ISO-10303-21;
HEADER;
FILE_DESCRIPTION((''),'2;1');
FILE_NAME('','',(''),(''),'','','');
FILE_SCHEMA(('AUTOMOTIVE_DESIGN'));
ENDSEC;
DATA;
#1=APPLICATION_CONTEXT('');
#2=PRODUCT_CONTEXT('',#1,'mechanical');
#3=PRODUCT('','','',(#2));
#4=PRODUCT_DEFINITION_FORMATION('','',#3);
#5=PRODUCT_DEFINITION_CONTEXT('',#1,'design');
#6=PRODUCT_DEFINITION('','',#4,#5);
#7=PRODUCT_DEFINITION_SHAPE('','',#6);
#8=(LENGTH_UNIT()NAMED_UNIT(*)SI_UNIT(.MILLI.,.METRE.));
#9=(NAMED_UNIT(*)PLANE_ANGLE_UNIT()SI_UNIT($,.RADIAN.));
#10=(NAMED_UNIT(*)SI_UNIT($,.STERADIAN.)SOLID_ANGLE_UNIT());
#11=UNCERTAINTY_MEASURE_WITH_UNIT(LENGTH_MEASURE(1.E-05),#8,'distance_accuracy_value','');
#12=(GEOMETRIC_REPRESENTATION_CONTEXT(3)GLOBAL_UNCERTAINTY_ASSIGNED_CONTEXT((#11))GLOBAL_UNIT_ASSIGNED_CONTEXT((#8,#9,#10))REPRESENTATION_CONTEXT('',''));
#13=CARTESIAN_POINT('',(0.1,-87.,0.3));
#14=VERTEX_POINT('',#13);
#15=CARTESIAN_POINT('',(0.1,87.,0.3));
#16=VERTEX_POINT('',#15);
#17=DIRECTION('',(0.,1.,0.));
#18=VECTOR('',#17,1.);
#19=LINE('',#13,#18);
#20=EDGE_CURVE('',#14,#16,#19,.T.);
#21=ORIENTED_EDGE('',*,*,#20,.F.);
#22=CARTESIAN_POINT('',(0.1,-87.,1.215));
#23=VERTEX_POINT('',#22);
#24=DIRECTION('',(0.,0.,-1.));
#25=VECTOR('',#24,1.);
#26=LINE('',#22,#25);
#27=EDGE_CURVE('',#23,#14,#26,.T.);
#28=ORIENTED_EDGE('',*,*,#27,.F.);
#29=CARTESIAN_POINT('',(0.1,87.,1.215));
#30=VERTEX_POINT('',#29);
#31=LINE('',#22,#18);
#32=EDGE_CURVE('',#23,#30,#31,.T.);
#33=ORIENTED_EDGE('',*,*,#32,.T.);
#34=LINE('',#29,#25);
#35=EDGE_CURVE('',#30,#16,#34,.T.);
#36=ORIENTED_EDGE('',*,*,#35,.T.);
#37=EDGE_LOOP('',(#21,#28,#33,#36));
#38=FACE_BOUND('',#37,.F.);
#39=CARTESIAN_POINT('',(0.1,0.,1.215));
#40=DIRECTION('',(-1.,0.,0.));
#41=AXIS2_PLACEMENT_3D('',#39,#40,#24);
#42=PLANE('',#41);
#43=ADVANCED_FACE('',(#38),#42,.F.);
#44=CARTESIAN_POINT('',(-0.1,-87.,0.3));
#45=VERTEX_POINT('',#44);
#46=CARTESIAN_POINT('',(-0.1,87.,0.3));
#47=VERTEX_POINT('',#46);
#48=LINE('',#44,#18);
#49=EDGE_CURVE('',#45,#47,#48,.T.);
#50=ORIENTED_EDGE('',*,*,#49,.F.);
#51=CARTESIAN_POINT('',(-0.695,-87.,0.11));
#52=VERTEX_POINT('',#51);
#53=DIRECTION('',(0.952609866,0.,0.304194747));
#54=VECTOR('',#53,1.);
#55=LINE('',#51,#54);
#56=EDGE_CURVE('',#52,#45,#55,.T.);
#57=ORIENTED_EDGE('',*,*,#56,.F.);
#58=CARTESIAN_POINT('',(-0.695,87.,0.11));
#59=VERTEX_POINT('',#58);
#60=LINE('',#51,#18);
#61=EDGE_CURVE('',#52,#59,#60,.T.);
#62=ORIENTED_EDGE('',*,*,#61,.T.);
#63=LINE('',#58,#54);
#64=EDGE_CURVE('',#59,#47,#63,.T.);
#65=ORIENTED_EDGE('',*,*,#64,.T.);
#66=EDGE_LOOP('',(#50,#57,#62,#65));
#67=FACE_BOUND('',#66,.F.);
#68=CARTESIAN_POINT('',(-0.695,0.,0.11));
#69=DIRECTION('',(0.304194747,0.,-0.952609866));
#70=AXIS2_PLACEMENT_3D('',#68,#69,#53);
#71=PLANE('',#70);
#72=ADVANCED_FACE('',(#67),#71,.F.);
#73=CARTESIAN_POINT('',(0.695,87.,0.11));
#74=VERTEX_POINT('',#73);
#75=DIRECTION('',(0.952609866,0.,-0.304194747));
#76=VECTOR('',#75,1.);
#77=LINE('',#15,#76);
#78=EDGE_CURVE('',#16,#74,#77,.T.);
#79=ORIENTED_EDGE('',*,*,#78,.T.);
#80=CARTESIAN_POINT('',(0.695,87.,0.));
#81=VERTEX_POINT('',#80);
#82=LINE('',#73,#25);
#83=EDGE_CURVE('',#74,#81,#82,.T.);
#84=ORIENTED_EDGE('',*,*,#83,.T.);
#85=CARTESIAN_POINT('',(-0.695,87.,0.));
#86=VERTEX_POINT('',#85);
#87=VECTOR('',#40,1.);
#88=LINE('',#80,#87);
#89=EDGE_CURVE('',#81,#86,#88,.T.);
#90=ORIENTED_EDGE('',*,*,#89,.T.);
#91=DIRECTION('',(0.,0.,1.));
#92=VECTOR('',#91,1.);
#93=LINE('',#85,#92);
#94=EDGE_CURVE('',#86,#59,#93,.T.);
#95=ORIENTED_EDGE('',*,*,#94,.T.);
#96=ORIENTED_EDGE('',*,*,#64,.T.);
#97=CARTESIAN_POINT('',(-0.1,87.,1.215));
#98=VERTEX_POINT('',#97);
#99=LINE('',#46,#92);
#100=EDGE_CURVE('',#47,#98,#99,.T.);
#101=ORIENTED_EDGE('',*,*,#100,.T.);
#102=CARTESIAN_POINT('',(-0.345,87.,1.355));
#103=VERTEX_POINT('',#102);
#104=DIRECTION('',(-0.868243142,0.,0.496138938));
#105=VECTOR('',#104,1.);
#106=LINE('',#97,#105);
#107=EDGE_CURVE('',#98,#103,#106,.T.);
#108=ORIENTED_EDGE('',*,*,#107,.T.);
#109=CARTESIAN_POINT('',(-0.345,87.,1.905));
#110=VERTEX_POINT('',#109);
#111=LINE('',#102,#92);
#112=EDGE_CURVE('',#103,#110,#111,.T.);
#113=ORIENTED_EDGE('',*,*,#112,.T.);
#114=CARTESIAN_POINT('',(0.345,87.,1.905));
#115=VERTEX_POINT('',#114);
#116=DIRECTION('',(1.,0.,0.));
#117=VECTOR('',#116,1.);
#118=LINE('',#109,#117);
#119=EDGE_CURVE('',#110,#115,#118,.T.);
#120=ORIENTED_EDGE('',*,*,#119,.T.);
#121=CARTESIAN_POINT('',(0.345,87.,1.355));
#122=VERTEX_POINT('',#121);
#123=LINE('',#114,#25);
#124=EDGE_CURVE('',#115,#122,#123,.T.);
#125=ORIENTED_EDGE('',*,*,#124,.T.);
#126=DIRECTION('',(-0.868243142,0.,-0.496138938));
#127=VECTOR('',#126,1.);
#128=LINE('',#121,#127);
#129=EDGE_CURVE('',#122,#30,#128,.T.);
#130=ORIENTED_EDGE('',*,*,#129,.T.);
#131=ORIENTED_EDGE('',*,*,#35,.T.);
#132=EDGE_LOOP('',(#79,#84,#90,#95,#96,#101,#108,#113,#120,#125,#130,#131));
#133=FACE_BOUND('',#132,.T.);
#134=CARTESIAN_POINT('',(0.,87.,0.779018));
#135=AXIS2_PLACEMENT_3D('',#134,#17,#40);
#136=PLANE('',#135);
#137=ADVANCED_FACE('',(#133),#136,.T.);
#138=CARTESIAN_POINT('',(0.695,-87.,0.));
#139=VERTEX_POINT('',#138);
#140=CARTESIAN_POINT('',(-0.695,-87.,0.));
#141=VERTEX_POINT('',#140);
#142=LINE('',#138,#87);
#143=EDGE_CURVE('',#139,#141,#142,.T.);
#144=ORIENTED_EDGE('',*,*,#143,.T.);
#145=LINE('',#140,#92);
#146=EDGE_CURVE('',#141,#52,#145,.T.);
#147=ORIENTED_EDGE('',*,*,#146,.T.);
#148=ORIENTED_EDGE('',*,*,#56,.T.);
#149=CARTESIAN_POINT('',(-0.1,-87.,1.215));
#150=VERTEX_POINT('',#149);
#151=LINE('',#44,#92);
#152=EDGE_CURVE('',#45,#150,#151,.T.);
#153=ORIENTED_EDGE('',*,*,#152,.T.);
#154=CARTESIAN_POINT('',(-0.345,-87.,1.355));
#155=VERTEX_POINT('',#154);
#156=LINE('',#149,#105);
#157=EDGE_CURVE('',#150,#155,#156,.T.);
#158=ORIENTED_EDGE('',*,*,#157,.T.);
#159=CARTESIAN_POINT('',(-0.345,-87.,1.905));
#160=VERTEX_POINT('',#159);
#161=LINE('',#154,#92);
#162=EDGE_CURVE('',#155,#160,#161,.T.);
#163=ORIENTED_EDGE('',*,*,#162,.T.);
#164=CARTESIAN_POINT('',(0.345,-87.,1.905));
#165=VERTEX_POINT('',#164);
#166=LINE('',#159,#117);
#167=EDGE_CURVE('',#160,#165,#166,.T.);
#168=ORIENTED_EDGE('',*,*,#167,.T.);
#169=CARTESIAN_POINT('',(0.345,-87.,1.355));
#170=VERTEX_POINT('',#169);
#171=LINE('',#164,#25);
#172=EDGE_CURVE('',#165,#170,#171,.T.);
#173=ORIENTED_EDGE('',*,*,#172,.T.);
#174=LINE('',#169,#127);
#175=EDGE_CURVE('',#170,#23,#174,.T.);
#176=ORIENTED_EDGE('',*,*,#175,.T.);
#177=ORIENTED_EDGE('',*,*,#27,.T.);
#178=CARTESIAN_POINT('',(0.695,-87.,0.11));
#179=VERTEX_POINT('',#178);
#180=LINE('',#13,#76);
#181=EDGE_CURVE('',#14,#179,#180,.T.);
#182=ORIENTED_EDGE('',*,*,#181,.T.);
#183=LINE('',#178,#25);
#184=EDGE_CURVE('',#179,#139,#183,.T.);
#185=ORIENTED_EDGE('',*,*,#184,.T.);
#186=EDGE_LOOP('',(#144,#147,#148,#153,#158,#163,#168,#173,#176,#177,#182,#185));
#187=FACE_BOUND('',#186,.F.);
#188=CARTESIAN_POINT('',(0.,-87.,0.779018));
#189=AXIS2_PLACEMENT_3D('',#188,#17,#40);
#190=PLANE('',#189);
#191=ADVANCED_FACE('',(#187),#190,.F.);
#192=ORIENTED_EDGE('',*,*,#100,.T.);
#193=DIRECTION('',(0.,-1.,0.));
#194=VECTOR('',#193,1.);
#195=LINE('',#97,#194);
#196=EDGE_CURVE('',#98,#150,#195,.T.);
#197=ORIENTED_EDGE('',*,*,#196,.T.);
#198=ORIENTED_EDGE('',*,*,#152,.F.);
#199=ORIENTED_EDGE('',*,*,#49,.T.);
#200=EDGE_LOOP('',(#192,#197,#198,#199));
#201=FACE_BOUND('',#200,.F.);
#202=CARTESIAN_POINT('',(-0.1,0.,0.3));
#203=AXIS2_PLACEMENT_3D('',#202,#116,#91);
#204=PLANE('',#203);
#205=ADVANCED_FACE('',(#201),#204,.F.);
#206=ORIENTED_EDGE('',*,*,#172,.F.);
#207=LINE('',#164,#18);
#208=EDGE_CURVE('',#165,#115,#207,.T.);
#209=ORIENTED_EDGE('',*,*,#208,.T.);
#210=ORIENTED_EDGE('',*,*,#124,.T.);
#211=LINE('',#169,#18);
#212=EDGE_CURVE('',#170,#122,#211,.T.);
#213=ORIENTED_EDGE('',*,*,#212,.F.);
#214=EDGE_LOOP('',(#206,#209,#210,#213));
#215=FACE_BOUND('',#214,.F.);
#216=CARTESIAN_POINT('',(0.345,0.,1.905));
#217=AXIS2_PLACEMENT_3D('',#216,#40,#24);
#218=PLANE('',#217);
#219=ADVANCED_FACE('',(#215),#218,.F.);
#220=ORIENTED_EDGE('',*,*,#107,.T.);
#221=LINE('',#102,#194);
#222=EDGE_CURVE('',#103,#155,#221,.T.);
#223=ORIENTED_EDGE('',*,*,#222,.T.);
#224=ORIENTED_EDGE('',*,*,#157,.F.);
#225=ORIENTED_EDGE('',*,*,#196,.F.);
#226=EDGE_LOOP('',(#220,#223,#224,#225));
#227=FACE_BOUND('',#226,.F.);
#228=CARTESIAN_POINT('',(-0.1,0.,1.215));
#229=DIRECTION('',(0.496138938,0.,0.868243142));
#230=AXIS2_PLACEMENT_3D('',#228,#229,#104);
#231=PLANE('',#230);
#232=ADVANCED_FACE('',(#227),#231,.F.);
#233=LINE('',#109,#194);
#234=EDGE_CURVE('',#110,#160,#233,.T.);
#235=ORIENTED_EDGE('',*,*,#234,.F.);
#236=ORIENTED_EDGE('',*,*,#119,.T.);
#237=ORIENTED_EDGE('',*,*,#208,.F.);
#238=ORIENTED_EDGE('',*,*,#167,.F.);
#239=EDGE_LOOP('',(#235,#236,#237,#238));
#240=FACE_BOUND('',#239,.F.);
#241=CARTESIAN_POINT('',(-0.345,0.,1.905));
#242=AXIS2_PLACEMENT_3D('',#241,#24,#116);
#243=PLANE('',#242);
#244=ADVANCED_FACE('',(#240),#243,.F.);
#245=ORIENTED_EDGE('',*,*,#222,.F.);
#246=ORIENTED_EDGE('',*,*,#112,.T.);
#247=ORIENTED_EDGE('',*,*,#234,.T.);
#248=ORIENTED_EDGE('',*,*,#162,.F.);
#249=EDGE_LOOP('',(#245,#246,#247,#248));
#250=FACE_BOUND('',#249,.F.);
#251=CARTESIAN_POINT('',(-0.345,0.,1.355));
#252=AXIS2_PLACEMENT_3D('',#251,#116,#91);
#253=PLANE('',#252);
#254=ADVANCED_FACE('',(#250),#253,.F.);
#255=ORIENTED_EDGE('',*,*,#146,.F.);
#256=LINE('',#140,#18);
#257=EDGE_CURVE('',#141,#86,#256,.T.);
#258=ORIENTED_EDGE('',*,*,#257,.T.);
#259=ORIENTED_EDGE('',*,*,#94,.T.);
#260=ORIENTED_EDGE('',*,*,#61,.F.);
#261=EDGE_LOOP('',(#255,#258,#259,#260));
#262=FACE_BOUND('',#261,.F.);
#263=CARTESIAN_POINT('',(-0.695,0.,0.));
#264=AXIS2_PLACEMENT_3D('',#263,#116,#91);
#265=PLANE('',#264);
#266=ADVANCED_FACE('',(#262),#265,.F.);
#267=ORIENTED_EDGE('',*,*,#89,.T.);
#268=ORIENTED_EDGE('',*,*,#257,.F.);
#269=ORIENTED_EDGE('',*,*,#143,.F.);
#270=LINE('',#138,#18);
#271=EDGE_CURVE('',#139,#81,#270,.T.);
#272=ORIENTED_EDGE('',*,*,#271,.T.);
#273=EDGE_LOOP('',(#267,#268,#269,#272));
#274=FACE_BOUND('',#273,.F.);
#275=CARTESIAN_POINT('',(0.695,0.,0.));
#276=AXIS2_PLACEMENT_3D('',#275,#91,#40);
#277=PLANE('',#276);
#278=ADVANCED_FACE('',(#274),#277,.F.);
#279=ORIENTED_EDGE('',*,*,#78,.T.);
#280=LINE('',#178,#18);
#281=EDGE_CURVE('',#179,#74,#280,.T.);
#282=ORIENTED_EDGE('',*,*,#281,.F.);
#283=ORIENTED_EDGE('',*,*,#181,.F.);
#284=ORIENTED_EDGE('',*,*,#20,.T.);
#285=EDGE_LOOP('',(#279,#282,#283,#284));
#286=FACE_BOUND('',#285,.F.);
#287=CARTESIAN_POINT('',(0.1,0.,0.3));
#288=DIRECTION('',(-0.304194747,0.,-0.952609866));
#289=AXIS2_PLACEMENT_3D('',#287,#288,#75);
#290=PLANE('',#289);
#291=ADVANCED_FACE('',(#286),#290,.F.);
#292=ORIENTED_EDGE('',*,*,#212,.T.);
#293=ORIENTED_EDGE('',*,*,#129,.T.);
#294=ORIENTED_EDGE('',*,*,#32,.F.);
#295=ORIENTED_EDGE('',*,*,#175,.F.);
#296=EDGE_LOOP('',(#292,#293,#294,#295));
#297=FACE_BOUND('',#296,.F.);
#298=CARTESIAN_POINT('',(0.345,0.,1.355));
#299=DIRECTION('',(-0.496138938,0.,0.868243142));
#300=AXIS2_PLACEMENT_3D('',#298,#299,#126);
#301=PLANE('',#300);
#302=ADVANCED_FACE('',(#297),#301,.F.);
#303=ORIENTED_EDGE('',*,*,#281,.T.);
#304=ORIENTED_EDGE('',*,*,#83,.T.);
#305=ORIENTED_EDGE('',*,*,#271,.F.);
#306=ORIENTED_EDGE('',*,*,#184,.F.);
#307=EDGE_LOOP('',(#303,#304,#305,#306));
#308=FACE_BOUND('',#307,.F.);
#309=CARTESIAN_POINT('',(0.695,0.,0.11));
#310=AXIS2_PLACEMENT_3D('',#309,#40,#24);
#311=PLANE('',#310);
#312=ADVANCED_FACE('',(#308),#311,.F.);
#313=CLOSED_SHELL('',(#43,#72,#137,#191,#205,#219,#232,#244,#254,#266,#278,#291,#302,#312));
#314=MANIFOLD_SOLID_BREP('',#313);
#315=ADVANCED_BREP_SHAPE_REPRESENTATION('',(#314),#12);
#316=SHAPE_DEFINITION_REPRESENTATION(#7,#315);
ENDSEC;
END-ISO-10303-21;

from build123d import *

# Parameters (mm, degrees)
PAD_DEPTH = 87


with BuildPart() as part:
    # Sketch → Pad (new body, symmetric)
    with BuildSketch(Plane.XZ):
        Polygon((-0.345, 1.905), (0.345, 1.905), (0.345, 1.355), (0.1, 1.215), (0.1, 0.3), (0.695, 0.11), (0.695, 0), (-0.695, 0), (-0.695, 0.11), (-0.1, 0.3), (-0.1, 1.215), (-0.345, 1.355), align=None)
    extrude(amount=PAD_DEPTH, both=True)


solid = part.part
